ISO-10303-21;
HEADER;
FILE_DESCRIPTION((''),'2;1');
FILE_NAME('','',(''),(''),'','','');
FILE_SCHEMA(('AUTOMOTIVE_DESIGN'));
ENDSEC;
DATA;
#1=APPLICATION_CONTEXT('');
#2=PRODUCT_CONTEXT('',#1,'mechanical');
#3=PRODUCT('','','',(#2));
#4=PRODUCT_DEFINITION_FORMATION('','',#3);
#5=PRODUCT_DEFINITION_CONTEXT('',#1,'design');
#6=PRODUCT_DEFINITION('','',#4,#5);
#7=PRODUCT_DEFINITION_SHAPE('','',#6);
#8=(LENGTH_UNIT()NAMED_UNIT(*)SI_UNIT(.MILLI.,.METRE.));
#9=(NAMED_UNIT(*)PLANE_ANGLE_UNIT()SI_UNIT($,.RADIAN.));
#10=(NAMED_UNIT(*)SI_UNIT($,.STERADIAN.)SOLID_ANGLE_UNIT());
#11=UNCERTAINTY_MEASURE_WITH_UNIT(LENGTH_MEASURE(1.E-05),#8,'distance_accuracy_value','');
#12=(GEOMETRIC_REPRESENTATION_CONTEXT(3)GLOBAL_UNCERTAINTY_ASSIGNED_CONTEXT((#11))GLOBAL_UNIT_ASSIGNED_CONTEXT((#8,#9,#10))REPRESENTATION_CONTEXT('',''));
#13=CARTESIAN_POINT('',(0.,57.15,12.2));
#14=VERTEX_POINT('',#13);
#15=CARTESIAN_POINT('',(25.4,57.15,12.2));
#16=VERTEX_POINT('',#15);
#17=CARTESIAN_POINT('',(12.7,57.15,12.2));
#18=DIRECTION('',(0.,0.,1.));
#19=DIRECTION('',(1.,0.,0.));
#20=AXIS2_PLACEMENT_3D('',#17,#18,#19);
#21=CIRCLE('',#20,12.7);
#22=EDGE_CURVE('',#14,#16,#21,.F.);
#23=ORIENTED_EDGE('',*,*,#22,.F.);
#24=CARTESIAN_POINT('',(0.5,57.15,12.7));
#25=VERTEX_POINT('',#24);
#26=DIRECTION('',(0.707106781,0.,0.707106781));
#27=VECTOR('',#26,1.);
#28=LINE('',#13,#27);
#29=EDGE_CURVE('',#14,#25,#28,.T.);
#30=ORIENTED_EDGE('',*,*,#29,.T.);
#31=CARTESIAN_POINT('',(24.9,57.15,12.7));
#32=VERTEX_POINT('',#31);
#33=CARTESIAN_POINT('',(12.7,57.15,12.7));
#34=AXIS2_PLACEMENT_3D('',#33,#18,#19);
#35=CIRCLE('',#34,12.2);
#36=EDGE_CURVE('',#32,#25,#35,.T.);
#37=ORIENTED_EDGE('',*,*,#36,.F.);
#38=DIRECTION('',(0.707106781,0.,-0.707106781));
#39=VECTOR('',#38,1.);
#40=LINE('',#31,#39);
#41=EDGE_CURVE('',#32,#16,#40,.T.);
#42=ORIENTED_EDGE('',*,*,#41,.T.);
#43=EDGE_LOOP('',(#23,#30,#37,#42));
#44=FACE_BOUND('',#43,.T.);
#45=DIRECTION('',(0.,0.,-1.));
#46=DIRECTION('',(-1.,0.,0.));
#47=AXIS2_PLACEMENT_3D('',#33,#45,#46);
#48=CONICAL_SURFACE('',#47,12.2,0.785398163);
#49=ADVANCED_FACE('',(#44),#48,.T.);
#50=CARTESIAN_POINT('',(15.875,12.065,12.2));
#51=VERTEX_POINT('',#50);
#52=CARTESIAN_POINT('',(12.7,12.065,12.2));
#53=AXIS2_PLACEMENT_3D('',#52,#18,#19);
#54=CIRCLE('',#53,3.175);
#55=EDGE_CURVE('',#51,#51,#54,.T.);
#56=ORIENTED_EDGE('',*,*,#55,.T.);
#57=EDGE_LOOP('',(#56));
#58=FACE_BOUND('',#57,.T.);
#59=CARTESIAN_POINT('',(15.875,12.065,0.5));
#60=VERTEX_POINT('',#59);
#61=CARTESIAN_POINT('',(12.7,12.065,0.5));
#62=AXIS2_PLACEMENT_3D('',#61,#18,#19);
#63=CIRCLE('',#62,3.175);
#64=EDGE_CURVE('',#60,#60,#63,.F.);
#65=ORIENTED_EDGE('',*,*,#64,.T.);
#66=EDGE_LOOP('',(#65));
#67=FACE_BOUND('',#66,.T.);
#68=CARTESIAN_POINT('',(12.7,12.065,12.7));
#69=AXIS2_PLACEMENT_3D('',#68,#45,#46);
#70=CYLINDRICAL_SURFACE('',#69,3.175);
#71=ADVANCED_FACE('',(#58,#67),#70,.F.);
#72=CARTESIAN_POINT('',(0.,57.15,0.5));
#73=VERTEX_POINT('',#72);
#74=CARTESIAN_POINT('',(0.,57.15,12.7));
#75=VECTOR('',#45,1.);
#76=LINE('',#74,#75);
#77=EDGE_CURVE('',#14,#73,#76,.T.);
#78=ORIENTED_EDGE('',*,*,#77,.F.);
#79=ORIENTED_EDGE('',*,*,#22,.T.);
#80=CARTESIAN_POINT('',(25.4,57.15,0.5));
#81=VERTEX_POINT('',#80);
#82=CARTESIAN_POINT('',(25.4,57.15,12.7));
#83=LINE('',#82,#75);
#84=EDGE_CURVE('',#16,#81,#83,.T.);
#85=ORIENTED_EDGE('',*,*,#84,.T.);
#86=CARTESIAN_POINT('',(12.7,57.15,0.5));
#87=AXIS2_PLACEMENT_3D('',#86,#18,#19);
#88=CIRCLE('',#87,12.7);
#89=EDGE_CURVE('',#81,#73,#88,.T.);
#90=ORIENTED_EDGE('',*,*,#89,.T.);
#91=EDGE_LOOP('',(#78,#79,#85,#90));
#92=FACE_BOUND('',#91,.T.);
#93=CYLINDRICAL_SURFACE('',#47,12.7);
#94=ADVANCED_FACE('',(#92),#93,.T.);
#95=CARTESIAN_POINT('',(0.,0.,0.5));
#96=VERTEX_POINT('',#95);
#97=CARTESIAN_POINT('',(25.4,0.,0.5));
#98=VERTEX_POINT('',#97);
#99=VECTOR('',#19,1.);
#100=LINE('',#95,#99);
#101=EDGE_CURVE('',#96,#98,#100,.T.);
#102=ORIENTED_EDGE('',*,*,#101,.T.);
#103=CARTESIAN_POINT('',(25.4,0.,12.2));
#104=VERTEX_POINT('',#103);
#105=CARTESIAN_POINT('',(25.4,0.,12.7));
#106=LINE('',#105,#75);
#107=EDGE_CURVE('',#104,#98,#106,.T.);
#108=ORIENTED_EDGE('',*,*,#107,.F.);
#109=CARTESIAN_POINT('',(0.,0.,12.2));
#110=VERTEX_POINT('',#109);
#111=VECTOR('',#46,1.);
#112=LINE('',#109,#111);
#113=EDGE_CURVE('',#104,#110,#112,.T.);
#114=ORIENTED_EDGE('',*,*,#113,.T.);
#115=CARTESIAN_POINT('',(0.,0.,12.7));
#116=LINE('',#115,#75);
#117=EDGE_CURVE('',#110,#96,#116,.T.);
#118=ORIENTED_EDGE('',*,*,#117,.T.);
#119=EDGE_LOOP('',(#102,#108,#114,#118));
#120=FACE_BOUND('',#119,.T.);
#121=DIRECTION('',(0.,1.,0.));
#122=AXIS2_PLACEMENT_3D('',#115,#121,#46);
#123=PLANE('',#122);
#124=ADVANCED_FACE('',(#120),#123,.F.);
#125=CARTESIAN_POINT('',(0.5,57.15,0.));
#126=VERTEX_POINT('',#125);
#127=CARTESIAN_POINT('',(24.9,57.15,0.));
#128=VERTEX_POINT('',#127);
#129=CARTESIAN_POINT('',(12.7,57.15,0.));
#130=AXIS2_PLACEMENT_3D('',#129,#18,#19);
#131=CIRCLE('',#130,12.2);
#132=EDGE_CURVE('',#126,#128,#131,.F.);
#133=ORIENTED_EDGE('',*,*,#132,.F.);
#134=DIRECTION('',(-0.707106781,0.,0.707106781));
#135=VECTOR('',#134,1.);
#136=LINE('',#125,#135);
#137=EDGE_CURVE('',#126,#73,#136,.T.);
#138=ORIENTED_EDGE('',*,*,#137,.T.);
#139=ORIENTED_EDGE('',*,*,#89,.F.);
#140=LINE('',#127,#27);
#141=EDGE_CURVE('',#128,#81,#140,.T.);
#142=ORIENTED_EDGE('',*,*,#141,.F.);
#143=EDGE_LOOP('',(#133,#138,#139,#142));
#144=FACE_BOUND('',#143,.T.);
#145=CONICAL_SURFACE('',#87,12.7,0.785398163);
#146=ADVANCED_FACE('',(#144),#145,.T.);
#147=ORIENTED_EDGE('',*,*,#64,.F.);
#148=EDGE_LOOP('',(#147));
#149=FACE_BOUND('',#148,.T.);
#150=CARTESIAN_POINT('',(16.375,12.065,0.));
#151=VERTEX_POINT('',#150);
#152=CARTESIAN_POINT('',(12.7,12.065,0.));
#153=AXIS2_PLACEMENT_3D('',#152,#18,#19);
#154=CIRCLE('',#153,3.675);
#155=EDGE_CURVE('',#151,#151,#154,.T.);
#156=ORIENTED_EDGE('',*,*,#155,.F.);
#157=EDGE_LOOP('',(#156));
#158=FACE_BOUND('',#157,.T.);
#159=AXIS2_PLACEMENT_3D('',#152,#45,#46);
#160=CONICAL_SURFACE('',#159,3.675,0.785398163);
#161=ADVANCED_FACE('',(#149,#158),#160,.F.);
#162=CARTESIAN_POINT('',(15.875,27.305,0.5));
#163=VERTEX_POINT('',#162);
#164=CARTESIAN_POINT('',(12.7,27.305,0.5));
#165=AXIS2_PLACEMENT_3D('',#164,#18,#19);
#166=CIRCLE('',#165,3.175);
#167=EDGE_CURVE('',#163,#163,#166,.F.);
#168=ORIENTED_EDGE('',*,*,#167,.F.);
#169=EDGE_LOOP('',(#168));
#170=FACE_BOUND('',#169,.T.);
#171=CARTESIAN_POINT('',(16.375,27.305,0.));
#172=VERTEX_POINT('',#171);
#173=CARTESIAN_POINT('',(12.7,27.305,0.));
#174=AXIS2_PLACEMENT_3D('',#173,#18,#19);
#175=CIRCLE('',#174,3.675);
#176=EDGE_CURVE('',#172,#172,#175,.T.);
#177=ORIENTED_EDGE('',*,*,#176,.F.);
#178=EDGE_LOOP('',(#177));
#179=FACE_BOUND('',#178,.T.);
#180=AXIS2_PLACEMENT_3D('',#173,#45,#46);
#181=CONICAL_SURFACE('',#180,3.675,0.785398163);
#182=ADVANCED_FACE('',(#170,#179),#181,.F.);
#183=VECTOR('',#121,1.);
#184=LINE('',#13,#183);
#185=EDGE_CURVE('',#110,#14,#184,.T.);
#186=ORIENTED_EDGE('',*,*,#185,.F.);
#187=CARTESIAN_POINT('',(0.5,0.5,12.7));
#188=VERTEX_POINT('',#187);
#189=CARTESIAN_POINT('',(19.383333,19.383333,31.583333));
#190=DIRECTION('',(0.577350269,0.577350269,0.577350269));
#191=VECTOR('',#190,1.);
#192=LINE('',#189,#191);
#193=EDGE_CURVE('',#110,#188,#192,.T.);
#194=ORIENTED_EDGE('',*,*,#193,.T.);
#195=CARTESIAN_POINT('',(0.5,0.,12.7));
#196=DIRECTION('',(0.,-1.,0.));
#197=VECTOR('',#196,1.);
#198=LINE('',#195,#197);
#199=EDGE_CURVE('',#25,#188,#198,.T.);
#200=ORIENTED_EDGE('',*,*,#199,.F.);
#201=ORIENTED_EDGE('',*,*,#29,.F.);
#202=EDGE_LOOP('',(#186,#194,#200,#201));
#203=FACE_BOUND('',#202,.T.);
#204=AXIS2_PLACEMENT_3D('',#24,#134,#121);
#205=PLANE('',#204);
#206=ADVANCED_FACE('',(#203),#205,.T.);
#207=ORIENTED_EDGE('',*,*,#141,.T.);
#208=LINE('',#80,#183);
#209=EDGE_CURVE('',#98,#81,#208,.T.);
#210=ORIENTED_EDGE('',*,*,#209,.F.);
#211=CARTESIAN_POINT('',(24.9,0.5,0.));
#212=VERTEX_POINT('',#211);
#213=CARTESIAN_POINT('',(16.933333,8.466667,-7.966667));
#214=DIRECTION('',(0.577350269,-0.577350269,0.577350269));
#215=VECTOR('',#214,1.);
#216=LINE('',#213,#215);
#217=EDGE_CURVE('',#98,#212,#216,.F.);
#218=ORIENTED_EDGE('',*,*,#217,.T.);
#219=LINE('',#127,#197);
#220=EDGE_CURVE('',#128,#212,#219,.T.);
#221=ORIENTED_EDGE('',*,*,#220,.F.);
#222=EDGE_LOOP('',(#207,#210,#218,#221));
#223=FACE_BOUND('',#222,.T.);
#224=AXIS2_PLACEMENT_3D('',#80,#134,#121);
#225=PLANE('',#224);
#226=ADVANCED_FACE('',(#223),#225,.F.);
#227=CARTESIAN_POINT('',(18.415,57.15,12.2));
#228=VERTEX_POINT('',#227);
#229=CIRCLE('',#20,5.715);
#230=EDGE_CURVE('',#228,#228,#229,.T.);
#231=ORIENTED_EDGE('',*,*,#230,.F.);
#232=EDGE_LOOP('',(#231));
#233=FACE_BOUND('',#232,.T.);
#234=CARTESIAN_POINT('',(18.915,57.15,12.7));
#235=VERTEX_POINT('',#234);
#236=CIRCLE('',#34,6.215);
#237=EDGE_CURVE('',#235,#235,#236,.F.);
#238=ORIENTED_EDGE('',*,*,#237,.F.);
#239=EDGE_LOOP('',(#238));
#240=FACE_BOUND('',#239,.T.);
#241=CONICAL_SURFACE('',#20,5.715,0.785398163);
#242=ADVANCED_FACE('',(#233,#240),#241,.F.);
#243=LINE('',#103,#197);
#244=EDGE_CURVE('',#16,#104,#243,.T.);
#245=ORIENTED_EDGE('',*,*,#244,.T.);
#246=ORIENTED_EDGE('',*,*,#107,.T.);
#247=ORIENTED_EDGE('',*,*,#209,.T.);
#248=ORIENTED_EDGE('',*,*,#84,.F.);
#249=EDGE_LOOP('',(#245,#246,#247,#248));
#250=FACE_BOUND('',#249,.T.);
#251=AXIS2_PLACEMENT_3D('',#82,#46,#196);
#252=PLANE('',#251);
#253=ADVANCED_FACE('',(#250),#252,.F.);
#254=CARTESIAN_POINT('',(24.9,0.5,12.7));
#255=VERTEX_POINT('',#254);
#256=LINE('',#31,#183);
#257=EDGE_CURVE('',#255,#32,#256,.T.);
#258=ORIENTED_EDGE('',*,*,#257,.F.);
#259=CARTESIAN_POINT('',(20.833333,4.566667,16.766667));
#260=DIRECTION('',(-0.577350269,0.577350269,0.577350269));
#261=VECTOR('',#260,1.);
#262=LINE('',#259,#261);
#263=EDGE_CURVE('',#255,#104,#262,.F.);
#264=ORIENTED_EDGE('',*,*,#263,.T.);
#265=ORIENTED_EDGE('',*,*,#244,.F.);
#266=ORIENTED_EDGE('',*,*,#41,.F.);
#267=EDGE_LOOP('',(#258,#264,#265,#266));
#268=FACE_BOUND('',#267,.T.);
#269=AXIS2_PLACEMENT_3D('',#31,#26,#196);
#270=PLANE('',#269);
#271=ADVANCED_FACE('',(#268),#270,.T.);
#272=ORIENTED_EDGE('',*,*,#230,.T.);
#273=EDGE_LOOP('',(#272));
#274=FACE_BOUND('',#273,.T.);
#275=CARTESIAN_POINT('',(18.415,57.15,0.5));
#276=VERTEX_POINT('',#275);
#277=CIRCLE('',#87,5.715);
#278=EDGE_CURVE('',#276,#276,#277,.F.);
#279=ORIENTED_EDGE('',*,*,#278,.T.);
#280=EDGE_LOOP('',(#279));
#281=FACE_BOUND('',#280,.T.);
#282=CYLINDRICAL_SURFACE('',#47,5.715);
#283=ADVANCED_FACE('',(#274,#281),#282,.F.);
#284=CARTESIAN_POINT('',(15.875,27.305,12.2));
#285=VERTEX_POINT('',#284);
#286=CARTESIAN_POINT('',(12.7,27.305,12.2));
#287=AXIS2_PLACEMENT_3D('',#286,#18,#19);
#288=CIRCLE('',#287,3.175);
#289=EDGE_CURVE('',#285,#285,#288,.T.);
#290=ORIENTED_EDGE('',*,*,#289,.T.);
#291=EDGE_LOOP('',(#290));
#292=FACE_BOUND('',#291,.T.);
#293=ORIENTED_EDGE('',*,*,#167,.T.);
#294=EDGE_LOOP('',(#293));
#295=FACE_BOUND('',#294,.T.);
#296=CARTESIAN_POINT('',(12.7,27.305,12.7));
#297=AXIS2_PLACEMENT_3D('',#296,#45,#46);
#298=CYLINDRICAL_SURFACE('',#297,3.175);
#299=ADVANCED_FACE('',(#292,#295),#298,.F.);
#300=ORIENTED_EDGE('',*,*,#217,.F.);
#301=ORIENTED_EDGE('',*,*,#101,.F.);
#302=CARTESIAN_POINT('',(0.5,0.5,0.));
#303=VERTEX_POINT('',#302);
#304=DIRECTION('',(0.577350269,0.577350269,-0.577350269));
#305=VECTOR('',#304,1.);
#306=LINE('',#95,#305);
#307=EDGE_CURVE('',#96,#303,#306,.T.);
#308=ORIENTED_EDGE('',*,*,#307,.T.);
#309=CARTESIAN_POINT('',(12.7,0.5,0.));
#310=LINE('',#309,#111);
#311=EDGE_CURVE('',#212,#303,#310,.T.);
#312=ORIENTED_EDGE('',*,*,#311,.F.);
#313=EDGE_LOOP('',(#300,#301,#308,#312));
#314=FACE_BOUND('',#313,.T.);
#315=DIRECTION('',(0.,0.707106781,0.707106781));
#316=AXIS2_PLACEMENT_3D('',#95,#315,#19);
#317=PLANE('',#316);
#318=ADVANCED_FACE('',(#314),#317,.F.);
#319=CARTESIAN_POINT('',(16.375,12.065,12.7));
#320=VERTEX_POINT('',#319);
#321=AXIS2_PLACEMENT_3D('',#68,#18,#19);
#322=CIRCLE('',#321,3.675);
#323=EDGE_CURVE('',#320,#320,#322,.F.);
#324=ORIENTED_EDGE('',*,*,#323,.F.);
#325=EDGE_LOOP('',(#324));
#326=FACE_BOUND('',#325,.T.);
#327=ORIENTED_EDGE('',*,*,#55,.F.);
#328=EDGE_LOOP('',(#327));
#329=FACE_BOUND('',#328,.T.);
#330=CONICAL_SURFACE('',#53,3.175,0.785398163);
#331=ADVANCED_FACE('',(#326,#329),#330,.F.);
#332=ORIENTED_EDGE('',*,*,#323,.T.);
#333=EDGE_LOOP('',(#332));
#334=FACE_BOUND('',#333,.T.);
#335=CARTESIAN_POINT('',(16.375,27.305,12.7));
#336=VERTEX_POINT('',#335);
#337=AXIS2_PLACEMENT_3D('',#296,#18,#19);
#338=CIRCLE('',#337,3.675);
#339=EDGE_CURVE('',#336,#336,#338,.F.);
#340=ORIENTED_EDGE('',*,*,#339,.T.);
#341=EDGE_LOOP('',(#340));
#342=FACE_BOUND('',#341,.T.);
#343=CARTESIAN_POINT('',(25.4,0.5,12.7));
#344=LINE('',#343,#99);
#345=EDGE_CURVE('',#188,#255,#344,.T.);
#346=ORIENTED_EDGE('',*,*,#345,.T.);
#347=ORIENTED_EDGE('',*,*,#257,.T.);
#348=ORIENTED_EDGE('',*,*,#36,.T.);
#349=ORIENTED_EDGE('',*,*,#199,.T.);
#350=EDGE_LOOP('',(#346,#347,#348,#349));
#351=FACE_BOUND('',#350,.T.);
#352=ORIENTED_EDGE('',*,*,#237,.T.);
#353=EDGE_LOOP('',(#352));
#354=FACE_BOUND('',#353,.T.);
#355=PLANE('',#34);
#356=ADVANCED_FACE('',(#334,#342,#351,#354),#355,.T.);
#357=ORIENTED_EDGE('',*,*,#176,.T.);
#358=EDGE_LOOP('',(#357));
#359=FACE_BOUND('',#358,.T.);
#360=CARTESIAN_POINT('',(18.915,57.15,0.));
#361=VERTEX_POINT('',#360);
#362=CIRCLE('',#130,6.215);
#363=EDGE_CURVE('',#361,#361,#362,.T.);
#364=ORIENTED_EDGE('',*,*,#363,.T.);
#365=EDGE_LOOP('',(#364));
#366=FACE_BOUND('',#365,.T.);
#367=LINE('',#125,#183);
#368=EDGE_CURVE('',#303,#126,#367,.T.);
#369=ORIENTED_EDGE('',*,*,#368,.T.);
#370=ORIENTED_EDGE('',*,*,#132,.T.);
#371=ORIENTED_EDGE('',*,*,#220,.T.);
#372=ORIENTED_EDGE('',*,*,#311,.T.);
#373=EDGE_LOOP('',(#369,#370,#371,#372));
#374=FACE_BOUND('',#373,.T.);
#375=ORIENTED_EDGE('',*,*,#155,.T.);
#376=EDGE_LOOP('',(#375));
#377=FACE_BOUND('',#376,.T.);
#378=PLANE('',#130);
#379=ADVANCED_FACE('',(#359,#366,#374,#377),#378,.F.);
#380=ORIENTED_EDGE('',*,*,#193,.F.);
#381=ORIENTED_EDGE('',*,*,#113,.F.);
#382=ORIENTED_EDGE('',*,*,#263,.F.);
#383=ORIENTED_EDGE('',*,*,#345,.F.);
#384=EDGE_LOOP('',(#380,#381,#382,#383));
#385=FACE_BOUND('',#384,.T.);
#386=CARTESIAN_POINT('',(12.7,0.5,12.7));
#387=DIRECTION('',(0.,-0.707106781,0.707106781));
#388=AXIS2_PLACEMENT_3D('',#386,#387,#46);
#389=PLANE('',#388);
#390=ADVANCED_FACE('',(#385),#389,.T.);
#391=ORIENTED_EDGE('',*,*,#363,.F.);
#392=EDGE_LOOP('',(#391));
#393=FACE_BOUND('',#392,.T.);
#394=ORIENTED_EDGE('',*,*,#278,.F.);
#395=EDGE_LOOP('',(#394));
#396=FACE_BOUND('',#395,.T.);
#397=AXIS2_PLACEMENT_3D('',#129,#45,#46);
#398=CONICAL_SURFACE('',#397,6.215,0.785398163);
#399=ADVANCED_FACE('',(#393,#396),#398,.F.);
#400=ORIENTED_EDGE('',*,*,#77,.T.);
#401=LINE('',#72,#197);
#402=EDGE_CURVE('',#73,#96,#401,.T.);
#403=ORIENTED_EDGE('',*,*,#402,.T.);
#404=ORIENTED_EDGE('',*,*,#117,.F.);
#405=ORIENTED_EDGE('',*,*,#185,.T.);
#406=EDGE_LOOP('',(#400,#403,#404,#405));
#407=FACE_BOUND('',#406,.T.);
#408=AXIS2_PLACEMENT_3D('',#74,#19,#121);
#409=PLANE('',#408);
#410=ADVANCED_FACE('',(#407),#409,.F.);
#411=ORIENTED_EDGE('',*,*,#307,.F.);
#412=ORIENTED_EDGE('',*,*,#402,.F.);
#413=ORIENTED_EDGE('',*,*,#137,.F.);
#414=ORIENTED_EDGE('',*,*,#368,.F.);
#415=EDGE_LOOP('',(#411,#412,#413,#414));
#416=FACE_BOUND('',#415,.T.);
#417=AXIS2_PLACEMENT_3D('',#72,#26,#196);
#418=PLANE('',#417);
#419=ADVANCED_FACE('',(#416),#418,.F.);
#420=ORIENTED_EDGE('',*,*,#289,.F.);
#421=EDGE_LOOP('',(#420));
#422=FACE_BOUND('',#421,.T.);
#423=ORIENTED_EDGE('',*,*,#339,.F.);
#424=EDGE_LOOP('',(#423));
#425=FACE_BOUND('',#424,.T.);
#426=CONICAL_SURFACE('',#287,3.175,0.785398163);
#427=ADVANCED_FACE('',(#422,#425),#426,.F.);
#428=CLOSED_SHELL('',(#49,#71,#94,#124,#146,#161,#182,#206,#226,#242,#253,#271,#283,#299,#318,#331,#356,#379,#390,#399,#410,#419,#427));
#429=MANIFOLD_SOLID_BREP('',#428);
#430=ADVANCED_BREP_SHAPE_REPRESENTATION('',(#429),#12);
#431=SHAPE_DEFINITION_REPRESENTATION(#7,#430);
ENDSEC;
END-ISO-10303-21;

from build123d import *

# Parameters (mm, degrees)
SKETCH1_R           = 5.715
SKETCH1_R_2         = 3.175
BOSS_EXTRUDE1_DEPTH = 12.7
CHAMFER1_SIZE       = 0.5


with BuildPart() as part:
    # Sketch1 → Boss-Extrude1 (new body)
    with BuildSketch(Plane.XY):
        with BuildLine():
            Line((0, 0), (25.4, 0))
            Line((25.4, 0), (25.4, 40.64))
            Line((25.4, 40.64), (25.4, 57.15))
            ThreePointArc((25.4, 57.15), (12.7, 69.85), (0, 57.15))
            Line((0, 57.15), (0, 40.64))
            Line((0, 40.64), (0, 0))
        make_face()
        with Locations((12.7, 57.15)):
            Circle(SKETCH1_R, mode=Mode.SUBTRACT)
        with Locations((12.7, 27.305)):
            Circle(SKETCH1_R_2, mode=Mode.SUBTRACT)
        with Locations((12.7, 12.065)):
            Circle(SKETCH1_R_2, mode=Mode.SUBTRACT)
    extrude(amount=BOSS_EXTRUDE1_DEPTH)

    # Chamfer1
    chamfer1_edges = [part.edges().sort_by_distance(p)[0] for p in [
        (25.4, 28.575, 12.7),
        (9.525, 27.305, 0),
        (9.525, 27.305, 12.7),
        (12.7, 69.85, 12.7),
        (6.985, 57.15, 0),
        (6.985, 57.15, 12.7),
        (9.525, 12.065, 0),
        (9.525, 12.065, 12.7),
        (0, 28.575, 12.7),
        (0, 28.575, 0),
        (12.7, 69.85, 0),
        (25.4, 28.575, 0),
        (12.7, 0, 0),
        (12.7, 0, 12.7),
    ]]
    chamfer(chamfer1_edges, length=CHAMFER1_SIZE)


solid = part.part
